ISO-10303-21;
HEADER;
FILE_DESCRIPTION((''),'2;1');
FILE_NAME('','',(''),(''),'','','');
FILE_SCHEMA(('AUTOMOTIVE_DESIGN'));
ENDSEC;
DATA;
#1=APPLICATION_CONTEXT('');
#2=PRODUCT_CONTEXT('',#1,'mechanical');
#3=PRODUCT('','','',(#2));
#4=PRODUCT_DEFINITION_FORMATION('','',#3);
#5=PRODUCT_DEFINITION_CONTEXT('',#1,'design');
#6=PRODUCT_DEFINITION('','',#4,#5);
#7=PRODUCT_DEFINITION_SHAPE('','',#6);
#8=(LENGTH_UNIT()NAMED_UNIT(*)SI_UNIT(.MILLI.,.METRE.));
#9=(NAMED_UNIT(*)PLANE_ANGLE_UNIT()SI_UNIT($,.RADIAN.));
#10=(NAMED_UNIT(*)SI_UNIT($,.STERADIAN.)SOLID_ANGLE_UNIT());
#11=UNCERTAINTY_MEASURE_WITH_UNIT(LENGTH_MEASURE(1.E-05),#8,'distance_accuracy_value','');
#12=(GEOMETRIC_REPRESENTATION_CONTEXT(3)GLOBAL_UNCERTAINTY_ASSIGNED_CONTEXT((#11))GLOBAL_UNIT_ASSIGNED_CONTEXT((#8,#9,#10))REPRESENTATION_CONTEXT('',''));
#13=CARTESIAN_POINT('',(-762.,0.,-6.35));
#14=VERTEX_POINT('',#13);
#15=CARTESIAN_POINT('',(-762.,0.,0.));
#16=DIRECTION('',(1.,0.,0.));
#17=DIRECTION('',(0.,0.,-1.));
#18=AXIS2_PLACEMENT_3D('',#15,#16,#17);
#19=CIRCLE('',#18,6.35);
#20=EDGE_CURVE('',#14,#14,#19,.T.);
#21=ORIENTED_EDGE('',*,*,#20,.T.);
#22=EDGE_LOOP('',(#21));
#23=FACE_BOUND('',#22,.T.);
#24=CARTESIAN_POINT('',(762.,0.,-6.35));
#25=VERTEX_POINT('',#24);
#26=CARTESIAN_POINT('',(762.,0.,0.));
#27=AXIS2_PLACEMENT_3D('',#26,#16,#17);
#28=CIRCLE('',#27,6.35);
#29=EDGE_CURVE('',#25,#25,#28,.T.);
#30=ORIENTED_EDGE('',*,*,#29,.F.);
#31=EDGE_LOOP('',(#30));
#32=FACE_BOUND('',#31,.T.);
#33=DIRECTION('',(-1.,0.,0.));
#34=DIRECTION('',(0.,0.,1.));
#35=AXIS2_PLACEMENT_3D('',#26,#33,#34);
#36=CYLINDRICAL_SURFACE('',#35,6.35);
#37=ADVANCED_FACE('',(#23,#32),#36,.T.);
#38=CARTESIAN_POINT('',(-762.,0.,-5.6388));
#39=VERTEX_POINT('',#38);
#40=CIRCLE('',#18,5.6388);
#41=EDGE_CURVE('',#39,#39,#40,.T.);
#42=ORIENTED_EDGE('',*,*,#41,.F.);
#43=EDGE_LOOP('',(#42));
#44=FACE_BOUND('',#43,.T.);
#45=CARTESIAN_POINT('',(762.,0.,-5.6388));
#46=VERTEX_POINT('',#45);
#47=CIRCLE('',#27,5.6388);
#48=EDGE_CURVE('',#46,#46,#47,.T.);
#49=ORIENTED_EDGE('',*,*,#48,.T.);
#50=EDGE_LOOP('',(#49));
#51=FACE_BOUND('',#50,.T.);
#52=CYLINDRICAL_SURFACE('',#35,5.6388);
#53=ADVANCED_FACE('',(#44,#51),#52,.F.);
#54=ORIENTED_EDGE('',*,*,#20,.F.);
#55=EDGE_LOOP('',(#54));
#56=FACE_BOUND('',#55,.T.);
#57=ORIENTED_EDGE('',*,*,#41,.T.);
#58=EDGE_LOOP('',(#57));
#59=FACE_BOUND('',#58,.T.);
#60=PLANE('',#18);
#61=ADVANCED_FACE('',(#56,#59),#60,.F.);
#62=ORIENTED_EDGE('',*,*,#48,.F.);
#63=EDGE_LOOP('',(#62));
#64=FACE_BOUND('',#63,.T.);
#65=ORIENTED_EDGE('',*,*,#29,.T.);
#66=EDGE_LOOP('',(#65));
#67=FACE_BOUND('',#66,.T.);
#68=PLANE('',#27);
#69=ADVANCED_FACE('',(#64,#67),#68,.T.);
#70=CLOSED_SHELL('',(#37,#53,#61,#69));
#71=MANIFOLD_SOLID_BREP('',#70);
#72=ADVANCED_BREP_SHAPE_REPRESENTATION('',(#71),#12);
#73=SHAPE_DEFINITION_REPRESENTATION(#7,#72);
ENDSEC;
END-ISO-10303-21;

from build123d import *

# Parameters (mm, degrees)
SKETCH1_R      = 6.35
SKETCH1_R_2    = 5.6388
EXTRUDE1_DEPTH = 762


with BuildPart() as part:
    # Sketch1 → Extrude1 (new, symmetric)
    with BuildSketch(Plane(origin=(0, 0, 0), x_dir=(0, 0, -1), z_dir=(1, 0, 0))):
        Circle(SKETCH1_R)
        Circle(SKETCH1_R_2, mode=Mode.SUBTRACT)
    extrude(amount=EXTRUDE1_DEPTH, both=True)


solid = part.part
